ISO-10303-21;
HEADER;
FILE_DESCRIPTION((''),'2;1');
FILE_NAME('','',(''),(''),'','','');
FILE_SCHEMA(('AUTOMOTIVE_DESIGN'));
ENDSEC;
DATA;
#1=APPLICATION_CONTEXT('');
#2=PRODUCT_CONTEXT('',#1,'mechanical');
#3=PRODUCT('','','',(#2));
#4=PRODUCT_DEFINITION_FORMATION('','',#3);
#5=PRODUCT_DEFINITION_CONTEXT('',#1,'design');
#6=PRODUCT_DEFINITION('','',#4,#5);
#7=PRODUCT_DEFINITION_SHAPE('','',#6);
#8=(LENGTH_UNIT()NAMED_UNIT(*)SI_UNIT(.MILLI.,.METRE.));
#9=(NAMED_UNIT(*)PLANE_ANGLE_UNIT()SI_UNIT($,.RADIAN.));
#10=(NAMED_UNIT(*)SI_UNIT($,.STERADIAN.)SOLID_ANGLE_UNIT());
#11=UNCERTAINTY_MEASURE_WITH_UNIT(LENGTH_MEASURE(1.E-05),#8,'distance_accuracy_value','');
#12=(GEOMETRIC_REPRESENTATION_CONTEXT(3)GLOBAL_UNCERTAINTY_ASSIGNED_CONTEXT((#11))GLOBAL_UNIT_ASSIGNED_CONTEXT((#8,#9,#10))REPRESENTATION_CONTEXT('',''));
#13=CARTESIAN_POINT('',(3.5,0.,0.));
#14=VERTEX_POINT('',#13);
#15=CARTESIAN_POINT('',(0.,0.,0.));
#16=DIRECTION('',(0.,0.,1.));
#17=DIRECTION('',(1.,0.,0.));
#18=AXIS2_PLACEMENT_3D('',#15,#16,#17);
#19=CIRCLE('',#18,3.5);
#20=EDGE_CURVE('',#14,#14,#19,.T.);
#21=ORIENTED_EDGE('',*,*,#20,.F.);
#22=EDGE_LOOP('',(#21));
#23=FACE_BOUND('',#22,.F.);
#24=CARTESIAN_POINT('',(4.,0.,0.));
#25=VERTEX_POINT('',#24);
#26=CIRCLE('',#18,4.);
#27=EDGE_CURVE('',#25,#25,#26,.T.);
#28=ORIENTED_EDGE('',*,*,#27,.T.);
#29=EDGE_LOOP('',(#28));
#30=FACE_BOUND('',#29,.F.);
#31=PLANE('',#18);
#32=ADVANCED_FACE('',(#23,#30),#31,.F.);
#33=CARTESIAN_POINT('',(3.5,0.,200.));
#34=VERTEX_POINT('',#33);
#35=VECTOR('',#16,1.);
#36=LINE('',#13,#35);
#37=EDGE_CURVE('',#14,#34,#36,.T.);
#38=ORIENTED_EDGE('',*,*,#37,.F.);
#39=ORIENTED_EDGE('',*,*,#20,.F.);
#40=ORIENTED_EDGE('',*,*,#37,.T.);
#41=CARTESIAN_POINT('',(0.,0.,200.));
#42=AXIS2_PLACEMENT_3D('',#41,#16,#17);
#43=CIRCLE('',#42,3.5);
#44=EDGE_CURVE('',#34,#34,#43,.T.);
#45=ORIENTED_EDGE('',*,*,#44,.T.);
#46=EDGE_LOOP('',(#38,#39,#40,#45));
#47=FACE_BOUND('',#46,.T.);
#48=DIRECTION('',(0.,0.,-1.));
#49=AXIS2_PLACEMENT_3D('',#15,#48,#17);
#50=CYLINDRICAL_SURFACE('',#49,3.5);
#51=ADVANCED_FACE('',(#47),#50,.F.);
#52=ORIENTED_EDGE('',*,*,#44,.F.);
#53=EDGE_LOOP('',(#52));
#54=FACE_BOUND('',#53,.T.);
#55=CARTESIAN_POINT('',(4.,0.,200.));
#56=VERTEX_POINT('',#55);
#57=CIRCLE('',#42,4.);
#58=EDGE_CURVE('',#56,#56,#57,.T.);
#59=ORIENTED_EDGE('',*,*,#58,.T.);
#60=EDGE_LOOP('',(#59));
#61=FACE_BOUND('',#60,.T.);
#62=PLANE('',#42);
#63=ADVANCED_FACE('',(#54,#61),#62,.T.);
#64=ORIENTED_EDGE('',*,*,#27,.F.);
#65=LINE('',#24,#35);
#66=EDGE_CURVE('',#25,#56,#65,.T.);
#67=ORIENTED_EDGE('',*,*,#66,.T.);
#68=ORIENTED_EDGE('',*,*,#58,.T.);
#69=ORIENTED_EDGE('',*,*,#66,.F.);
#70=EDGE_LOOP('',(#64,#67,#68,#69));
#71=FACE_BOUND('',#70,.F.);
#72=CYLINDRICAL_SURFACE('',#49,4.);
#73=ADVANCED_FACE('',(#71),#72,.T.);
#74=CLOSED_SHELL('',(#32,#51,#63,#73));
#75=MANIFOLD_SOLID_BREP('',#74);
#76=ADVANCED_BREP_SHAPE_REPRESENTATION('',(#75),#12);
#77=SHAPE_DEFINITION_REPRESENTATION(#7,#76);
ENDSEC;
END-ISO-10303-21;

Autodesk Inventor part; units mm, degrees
ref_plane "YZ Plane" through (0, 0, 0) normal (1, 0, 0) x (0, 1, 0)
ref_plane "XZ Plane" through (0, 0, 0) normal (0, 1, 0) x (-1, 0, 0)
sketch "スケッチ1" plane through (0, 0, 0) normal (0, 0, 1) x (1, 0, 0)
  circle A0 centre (0, 0) radius 4
  circle A1 centre (0, 0) radius 3.5
  dimension "d0" = 8
  dimension "d1" = 7
extrude "押し出し1" add sketch "スケッチ1" along normal blind 200
sketch "スケッチ2" plane through (0, 0, 0) normal (0, 0, -1) x (-1, 0, 0)
  circle A0 centre (0, 0) radius 4 projected
  point P0 (4, 0)
ref_plane "作業平面1" through (-4, 0, 0) normal (-1, 0, 0) x (0, -1, 0)
properties part number "keel" material "アルミニウム 6061"
